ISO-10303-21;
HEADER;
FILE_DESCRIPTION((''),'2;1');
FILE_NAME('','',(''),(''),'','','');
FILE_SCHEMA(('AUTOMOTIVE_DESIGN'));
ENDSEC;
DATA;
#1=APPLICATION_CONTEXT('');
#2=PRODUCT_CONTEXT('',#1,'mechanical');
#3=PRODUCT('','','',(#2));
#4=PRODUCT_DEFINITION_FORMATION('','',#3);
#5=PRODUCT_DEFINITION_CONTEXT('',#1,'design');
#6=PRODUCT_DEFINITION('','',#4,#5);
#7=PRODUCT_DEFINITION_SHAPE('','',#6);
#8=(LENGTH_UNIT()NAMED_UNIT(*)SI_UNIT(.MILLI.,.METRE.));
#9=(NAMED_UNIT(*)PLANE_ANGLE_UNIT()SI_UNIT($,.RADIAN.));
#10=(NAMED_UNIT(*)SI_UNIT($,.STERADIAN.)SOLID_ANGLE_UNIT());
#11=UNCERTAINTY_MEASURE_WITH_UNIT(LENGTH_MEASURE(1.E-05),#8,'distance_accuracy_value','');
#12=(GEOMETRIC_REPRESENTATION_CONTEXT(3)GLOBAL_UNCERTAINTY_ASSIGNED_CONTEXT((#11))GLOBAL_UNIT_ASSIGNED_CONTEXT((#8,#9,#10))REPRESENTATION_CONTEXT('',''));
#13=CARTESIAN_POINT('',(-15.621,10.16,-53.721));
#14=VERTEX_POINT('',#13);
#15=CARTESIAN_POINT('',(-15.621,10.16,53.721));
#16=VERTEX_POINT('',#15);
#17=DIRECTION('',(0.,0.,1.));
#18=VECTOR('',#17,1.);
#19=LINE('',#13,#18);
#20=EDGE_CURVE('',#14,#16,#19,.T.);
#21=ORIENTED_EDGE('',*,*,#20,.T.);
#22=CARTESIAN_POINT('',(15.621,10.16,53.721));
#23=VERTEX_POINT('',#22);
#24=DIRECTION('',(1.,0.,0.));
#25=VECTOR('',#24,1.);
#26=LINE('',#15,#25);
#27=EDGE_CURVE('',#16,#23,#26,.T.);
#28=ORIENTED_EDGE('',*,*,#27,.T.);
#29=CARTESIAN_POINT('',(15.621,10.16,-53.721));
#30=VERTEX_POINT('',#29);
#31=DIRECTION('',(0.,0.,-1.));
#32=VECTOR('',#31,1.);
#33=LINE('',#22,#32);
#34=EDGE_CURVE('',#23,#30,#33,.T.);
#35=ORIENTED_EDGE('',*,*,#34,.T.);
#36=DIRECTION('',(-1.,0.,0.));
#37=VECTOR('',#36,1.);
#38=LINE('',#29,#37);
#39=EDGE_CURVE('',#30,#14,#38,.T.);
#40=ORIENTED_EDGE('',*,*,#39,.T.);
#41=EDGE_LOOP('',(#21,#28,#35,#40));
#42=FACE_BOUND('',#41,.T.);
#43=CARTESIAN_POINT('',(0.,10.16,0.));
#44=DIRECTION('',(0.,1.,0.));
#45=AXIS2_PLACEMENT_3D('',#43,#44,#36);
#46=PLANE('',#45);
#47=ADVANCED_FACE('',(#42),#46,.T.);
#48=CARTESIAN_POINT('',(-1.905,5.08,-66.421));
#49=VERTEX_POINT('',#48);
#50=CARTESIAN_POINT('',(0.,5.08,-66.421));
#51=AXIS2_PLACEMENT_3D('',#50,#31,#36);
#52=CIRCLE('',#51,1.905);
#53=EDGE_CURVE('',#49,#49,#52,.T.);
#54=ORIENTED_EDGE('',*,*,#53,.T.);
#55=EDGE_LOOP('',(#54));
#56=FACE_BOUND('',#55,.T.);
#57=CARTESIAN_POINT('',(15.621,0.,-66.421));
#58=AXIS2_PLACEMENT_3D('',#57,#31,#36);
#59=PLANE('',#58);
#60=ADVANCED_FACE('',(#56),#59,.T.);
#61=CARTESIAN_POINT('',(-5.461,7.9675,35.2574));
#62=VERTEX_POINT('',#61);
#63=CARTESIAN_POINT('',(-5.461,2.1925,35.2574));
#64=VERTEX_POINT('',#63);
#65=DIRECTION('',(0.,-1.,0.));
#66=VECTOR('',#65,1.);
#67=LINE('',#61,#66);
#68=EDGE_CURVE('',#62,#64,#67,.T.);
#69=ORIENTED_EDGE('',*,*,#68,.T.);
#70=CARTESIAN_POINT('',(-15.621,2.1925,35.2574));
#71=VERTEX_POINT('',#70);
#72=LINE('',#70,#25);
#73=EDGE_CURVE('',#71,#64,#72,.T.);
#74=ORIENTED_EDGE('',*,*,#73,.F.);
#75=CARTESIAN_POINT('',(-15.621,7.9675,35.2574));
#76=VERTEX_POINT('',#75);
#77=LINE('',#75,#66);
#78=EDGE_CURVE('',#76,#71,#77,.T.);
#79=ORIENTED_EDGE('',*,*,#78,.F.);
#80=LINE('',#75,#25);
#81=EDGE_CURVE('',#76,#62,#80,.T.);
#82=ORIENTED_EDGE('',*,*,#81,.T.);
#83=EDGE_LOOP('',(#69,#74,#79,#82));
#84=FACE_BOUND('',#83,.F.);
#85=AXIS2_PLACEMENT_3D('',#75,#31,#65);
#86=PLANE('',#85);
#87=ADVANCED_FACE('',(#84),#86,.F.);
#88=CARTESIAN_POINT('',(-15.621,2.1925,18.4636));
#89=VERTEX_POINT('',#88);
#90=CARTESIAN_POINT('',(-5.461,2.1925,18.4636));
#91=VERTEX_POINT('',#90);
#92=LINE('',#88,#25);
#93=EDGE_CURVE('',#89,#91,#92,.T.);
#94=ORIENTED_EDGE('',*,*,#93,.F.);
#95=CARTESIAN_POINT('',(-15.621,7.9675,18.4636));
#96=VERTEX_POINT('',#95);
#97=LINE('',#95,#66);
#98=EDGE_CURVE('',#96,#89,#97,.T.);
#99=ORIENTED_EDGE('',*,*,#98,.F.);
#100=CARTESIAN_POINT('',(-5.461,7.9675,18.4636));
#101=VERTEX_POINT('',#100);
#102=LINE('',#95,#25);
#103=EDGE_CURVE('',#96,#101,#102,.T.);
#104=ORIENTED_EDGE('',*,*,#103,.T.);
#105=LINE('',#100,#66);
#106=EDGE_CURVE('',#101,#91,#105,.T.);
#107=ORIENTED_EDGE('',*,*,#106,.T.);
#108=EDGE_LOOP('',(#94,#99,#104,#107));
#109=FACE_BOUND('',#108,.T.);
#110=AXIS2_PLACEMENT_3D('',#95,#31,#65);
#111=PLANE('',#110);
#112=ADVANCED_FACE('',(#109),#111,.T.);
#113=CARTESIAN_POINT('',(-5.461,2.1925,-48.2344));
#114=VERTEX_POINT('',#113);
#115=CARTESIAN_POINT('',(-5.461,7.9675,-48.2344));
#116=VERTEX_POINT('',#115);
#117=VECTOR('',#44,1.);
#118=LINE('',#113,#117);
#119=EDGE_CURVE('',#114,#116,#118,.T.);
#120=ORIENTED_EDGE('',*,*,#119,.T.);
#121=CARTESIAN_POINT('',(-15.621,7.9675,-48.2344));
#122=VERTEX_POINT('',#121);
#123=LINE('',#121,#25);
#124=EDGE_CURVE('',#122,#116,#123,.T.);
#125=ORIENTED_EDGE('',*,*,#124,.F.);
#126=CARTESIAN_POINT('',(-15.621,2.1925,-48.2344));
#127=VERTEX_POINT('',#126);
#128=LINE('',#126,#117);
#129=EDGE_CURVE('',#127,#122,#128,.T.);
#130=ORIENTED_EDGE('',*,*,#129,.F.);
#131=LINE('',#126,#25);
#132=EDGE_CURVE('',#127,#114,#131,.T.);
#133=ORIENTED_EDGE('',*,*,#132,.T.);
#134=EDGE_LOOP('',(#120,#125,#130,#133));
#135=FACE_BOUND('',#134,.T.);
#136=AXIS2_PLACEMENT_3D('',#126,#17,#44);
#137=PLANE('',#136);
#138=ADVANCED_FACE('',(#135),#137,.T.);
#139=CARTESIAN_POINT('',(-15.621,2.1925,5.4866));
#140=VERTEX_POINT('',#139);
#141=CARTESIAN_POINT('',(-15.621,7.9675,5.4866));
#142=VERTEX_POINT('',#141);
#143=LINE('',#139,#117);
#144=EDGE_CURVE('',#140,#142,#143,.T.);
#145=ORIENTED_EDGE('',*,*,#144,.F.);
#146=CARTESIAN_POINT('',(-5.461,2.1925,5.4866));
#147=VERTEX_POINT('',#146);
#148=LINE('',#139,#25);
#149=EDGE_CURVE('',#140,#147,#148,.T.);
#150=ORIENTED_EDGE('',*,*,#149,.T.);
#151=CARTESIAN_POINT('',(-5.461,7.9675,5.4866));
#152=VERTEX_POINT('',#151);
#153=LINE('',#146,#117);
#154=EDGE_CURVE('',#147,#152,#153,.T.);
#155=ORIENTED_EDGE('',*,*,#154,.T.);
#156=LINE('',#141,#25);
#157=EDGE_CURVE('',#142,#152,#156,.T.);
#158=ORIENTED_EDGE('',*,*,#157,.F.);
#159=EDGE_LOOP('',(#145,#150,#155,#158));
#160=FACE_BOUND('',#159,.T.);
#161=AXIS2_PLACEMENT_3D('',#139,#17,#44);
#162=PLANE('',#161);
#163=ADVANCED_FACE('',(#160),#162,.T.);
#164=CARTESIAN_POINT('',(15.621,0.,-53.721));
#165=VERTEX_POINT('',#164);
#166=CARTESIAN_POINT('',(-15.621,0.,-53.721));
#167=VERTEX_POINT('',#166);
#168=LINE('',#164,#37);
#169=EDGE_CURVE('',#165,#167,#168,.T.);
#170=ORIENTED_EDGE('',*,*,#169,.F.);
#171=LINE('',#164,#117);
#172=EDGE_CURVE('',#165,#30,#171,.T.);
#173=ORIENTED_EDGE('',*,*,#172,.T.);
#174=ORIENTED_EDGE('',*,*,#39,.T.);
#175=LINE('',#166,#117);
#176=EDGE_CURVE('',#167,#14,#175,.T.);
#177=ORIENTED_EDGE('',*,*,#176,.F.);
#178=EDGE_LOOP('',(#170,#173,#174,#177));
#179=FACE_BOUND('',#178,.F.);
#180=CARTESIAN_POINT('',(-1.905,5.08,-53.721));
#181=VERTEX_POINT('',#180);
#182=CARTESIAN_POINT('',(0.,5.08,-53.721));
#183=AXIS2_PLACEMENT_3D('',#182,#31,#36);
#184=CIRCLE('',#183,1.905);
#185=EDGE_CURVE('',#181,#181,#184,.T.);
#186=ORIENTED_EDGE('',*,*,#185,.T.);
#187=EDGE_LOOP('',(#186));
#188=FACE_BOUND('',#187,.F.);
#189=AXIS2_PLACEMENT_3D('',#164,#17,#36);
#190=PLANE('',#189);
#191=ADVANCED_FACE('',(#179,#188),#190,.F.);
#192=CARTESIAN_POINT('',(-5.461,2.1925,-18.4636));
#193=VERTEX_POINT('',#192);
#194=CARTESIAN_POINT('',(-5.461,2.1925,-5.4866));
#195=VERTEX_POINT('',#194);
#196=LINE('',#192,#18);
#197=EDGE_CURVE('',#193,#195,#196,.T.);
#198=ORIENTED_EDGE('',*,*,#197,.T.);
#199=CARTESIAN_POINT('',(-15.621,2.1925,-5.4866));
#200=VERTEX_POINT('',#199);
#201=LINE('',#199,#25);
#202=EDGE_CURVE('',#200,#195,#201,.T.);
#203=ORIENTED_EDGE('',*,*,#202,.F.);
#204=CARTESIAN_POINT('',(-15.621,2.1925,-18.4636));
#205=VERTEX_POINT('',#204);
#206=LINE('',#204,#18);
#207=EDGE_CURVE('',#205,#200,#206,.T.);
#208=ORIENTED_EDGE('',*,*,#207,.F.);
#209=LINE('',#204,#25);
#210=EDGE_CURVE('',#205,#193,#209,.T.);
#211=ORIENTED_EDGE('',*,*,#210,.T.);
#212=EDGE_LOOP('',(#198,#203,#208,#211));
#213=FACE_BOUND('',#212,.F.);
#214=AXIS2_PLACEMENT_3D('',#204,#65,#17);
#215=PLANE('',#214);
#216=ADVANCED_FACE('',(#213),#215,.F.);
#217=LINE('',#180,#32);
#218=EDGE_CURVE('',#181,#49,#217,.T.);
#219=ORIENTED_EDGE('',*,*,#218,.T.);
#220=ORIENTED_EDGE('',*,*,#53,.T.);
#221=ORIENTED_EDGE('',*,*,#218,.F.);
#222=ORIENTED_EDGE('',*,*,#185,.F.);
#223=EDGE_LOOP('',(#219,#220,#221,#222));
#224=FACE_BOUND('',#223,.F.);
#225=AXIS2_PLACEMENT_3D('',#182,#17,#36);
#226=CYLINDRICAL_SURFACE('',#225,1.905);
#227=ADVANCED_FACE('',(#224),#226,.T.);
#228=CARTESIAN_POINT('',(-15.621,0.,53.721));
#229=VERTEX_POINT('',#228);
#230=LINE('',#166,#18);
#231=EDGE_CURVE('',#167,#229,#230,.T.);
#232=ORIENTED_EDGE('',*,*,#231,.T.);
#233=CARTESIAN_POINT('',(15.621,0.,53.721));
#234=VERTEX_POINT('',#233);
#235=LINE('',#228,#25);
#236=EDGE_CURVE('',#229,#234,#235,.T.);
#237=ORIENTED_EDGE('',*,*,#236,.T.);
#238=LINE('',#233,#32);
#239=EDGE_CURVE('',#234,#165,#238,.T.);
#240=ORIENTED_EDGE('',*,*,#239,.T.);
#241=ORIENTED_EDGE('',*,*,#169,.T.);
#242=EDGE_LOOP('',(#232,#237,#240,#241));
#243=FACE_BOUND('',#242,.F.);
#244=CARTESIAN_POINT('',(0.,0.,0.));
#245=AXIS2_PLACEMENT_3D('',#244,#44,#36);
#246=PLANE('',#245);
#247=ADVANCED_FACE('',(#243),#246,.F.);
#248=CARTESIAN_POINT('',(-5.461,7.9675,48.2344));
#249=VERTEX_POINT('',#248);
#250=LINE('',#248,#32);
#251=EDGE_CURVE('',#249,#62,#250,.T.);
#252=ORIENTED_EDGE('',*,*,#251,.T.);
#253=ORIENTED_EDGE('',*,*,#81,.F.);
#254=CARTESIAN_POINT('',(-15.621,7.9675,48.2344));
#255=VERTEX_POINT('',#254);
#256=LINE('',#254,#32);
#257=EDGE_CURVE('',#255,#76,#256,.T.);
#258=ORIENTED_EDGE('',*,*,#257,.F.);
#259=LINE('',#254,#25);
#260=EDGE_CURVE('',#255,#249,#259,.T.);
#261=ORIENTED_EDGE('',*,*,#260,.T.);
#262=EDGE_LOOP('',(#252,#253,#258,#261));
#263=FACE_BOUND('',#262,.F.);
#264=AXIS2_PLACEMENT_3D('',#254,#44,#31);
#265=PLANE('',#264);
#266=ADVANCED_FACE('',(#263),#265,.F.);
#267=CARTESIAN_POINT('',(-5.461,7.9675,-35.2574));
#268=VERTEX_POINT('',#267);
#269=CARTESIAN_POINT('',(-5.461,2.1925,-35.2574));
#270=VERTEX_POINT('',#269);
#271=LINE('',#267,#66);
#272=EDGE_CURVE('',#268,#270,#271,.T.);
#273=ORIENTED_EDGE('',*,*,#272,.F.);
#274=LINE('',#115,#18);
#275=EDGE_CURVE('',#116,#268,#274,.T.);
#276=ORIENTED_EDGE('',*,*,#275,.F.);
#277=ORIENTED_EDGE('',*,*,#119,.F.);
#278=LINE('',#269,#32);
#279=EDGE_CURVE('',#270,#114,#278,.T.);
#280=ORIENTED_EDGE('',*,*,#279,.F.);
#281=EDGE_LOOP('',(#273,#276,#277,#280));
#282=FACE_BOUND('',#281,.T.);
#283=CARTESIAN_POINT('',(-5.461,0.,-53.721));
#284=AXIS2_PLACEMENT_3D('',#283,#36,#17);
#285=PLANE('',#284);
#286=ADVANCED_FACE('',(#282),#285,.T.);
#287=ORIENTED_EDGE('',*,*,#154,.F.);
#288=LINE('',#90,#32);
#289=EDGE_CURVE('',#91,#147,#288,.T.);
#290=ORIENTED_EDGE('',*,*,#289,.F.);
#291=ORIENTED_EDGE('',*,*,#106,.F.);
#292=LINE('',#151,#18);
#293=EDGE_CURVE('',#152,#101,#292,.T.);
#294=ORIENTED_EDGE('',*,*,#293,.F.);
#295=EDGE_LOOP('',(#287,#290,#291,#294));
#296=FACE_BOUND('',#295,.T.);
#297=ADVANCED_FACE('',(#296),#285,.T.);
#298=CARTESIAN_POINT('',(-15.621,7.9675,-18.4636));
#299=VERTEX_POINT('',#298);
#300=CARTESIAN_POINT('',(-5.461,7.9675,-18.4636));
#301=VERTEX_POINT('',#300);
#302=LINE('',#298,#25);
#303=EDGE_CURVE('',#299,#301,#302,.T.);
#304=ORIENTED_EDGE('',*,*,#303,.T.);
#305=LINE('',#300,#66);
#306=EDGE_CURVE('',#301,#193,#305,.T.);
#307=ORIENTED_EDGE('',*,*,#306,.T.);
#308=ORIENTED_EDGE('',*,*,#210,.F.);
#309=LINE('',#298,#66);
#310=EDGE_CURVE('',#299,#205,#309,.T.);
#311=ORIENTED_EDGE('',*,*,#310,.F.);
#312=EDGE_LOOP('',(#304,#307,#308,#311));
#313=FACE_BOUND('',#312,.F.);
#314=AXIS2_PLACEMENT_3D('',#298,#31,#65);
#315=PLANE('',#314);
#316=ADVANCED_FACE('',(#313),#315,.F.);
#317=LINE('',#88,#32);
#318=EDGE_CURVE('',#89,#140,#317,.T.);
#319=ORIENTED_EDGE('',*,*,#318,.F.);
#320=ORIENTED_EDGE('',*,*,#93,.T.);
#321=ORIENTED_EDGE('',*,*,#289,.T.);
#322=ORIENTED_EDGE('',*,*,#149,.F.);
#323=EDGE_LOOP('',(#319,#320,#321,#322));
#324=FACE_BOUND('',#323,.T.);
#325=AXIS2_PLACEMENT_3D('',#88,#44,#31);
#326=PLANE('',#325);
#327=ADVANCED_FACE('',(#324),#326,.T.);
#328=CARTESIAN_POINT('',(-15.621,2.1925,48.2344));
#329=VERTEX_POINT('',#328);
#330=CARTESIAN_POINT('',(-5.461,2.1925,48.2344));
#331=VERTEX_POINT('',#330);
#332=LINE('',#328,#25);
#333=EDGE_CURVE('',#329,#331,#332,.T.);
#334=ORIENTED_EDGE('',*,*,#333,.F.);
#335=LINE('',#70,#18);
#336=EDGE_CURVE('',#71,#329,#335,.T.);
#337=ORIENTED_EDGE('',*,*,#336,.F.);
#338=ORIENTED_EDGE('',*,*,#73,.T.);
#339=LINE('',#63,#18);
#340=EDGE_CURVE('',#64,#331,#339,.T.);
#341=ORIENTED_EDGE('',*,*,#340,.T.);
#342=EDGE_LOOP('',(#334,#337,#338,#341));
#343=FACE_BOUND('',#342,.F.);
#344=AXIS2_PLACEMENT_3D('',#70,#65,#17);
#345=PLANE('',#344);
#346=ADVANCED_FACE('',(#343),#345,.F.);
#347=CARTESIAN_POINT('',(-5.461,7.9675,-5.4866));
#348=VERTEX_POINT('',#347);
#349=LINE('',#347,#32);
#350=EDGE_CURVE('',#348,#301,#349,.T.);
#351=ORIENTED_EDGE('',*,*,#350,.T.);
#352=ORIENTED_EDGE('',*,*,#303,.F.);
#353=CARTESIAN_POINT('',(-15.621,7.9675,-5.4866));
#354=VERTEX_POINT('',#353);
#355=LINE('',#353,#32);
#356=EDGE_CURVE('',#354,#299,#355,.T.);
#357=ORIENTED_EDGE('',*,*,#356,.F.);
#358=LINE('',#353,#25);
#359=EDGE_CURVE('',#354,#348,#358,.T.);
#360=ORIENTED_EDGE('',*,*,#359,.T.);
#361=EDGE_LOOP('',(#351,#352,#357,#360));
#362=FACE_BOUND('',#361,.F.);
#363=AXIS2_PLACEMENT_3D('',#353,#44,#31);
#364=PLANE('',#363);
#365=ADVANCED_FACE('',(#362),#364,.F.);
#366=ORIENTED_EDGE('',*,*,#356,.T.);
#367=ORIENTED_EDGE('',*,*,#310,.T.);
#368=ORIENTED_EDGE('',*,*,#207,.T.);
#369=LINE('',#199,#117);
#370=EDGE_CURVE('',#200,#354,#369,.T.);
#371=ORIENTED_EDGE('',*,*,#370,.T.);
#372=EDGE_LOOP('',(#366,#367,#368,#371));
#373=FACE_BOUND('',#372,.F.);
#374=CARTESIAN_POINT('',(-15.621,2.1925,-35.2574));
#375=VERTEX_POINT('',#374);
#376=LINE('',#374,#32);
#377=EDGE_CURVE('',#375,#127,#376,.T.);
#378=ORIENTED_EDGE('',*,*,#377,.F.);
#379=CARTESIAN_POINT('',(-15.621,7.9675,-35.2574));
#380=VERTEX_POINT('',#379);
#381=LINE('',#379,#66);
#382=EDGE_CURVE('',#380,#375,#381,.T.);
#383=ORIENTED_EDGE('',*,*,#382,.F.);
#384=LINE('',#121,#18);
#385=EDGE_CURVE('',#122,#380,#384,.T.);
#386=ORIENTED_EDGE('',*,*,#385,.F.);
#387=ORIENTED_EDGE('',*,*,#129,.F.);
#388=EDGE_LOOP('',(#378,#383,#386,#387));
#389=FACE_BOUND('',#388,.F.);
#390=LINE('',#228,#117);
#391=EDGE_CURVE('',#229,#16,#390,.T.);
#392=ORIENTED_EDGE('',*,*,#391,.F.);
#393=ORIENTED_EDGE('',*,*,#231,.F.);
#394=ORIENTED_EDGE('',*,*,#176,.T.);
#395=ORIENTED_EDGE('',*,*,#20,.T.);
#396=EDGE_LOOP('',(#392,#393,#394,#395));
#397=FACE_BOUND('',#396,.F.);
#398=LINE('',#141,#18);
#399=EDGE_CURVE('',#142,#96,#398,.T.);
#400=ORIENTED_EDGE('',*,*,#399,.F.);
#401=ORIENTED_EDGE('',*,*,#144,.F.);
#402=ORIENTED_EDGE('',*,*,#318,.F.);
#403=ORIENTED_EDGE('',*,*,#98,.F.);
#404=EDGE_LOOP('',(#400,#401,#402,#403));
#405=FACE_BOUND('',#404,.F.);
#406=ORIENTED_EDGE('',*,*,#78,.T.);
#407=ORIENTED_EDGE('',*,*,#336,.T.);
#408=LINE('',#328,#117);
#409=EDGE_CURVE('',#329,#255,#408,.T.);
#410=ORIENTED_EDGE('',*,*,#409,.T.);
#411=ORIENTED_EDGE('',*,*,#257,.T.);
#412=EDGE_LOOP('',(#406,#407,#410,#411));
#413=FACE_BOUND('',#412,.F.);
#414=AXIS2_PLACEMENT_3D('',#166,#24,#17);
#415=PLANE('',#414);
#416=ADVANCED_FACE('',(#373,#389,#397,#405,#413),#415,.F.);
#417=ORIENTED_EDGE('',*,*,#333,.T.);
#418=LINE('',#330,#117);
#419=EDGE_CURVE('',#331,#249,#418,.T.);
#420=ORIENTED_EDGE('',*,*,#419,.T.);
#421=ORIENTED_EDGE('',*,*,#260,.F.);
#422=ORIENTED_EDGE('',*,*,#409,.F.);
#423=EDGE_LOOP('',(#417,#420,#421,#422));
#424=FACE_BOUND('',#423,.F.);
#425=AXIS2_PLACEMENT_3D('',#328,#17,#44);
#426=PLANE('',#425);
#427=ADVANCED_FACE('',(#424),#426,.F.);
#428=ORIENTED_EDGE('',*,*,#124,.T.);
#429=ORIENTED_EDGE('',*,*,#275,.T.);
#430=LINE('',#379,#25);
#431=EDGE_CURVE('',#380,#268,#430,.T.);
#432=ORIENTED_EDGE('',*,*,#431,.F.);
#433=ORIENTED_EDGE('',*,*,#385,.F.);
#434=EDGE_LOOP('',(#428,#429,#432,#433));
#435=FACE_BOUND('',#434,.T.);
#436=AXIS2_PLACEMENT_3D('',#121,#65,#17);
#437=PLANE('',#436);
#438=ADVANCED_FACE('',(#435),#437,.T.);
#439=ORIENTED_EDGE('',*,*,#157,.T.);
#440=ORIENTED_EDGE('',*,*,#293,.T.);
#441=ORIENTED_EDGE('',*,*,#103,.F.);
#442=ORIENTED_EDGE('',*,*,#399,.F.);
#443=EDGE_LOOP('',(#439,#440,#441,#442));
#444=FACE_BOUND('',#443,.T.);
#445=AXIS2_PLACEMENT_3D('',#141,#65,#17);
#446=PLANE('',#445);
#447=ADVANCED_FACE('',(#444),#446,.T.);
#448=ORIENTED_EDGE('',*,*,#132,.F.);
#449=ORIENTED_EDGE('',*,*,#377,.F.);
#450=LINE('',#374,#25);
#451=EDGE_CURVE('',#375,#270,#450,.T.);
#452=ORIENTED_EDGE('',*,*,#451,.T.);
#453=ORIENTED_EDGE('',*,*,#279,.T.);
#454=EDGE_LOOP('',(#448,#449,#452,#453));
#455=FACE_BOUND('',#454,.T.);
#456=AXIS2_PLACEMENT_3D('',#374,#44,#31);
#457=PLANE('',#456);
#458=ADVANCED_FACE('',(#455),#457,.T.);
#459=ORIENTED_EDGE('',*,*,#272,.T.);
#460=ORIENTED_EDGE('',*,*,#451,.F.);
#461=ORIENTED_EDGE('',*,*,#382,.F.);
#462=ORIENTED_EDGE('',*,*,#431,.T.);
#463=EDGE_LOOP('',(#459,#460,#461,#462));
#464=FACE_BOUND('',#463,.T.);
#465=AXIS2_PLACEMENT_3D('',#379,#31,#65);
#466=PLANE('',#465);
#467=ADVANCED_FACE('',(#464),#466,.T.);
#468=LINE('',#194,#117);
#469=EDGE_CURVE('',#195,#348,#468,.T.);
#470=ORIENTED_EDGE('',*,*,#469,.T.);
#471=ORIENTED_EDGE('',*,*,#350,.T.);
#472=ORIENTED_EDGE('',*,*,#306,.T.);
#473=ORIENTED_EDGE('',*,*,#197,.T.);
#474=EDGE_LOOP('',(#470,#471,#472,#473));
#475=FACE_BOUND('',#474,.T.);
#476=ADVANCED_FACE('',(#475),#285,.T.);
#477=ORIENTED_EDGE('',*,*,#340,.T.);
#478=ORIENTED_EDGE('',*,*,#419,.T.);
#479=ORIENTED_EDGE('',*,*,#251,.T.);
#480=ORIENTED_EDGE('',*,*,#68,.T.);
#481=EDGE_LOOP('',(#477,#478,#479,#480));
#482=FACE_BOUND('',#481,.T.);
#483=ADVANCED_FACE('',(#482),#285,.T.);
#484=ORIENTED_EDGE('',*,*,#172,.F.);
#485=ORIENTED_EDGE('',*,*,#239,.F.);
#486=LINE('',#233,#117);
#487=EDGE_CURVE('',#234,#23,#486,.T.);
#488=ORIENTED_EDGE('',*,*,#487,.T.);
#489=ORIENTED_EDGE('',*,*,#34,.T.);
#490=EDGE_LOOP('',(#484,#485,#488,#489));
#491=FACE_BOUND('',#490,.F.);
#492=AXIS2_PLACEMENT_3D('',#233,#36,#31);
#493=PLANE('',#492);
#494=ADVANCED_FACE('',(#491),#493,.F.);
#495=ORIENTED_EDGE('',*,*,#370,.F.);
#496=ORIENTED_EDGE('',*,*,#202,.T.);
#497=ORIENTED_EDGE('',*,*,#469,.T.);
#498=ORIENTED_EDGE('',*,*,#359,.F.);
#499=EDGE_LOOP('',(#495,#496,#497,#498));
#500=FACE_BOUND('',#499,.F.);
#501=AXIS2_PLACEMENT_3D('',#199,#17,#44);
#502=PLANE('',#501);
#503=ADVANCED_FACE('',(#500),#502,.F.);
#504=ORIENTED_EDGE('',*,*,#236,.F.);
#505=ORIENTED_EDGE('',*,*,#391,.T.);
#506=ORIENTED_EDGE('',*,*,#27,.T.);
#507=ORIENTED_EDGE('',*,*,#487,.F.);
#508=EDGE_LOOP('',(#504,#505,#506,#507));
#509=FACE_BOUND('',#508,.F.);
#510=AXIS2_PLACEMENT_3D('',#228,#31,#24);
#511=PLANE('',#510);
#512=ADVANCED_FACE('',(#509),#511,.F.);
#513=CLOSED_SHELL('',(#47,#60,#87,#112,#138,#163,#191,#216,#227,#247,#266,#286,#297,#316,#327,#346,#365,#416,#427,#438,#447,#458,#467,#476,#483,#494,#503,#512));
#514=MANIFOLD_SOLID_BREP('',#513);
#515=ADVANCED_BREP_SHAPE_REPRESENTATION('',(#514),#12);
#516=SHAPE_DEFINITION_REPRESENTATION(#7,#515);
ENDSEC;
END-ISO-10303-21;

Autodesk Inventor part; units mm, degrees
ref_plane "YZ Plane" through (0, 0, 0) normal (1, 0, 0) x (0, 1, 0)
ref_plane "XZ Plane" through (0, 0, 0) normal (0, 1, 0) x (-1, 0, 0)
ref_plane "XY Plane" through (0, 0, 0) normal (0, 0, 1) x (1, 0, 0)
sketch "Sketch1" plane through (0, 0, 0) normal (0, 1, 0) x (-1, 0, 0)
  line L0 (15.621, 53.721) -> (-15.621, 53.721)
  line L1 (-15.621, 53.721) -> (-15.621, -53.721)
  line L2 (-15.621, -53.721) -> (15.621, -53.721)
  line L3 (15.621, -53.721) -> (15.621, 53.721)
  line L4 (15.621, 53.721) -> (-15.621, -53.721) construction
  line L5 (-15.621, 53.721) -> (15.621, -53.721) construction
  point P0 (0, 0)
  dimension "d0" = 107.442
  dimension "d1" = 31.242
extrude "Extrusion1" add sketch "Sketch1" along normal blind 10.16
sketch "Sketch2" plane through (-15.621, 0, -53.721) normal (-1, 0, 0) x (0, 0, 1)
  line L0 (0, 0) -> (0, 10.16) projected
  line L1 (0, 5.08) -> (107.442, 5.08) construction
  line L2 (107.442, 0) -> (107.442, 10.16) projected
  line L3 (107.442, 10.16) -> (0, 10.16) projected
  line L4 (53.721, 10.16) -> (53.721, 0) construction
  line L5 (107.442, 0) -> (0, 0) projected
  line L6 (35.2574, 2.1925) -> (48.2344, 2.1925)
  line L7 (48.2344, 2.1925) -> (48.2344, 7.9675)
  line L8 (48.2344, 7.9675) -> (35.2574, 7.9675)
  line L9 (35.2574, 7.9675) -> (35.2574, 2.1925)
  line L10 (35.2574, 2.1925) -> (48.2344, 7.9675) construction
  line L11 (48.2344, 2.1925) -> (35.2574, 7.9675) construction
  line L12 (0, 10.16) -> (53.721, 10.16)
  line L13 (26.8605, 10.16) -> (26.8605, 0) construction
  line L14 (18.4636, 2.1925) -> (5.4866, 2.1925)
  line L15 (5.4866, 2.1925) -> (5.4866, 7.9675)
  line L16 (5.4866, 7.9675) -> (18.4636, 7.9675)
  line L17 (18.4636, 7.9675) -> (18.4636, 2.1925)
  line L18 (18.4636, 2.1925) -> (5.4866, 7.9675) construction
  line L19 (5.4866, 2.1925) -> (18.4636, 7.9675) construction
  line L20 (107.442, 5.08) -> (0, 5.08) construction
  line L21 (72.1846, 2.1925) -> (59.2076, 2.1925)
  line L22 (59.2076, 2.1925) -> (59.2076, 7.9675)
  line L23 (59.2076, 7.9675) -> (72.1846, 7.9675)
  line L24 (72.1846, 7.9675) -> (72.1846, 2.1925)
  line L25 (72.1846, 2.1925) -> (59.2076, 7.9675) construction
  line L26 (59.2076, 2.1925) -> (72.1846, 7.9675) construction
  line L27 (80.5815, 10.16) -> (80.5815, 0) construction
  line L28 (88.9784, 2.1925) -> (101.9554, 2.1925)
  line L29 (101.9554, 2.1925) -> (101.9554, 7.9675)
  line L30 (101.9554, 7.9675) -> (88.9784, 7.9675)
  line L31 (88.9784, 7.9675) -> (88.9784, 2.1925)
  line L32 (88.9784, 2.1925) -> (101.9554, 7.9675) construction
  line L33 (101.9554, 2.1925) -> (88.9784, 7.9675) construction
  point P0 (41.7459, 5.08)
  point P1 (11.9751, 5.08)
  point P2 (65.6961, 5.08)
  point P3 (95.4669, 5.08)
extrude "Extrusion2" cut sketch "Sketch2" against normal blind 10.16 contours L9 L8 L7 L6 | L14 L15 L16 L17 | L21 L22 L23 L24 | L31 L30 L29 L28
sketch "Sketch3" plane through (15.621, 0, -53.721) normal (0, 0, -1) x (-1, 0, 0)
  line L0 (0, 10.16) -> (31.242, 10.16) projected
  line L1 (15.621, 10.16) -> (15.621, 0) construction
  circle A0 centre (15.621, 5.08) radius 1.905
  dimension "d6" = 3.81
extrude "Extrusion3" add sketch "Sketch3" along normal blind 12.7
properties part number "anker_4-port_usb3.0_splitter"
